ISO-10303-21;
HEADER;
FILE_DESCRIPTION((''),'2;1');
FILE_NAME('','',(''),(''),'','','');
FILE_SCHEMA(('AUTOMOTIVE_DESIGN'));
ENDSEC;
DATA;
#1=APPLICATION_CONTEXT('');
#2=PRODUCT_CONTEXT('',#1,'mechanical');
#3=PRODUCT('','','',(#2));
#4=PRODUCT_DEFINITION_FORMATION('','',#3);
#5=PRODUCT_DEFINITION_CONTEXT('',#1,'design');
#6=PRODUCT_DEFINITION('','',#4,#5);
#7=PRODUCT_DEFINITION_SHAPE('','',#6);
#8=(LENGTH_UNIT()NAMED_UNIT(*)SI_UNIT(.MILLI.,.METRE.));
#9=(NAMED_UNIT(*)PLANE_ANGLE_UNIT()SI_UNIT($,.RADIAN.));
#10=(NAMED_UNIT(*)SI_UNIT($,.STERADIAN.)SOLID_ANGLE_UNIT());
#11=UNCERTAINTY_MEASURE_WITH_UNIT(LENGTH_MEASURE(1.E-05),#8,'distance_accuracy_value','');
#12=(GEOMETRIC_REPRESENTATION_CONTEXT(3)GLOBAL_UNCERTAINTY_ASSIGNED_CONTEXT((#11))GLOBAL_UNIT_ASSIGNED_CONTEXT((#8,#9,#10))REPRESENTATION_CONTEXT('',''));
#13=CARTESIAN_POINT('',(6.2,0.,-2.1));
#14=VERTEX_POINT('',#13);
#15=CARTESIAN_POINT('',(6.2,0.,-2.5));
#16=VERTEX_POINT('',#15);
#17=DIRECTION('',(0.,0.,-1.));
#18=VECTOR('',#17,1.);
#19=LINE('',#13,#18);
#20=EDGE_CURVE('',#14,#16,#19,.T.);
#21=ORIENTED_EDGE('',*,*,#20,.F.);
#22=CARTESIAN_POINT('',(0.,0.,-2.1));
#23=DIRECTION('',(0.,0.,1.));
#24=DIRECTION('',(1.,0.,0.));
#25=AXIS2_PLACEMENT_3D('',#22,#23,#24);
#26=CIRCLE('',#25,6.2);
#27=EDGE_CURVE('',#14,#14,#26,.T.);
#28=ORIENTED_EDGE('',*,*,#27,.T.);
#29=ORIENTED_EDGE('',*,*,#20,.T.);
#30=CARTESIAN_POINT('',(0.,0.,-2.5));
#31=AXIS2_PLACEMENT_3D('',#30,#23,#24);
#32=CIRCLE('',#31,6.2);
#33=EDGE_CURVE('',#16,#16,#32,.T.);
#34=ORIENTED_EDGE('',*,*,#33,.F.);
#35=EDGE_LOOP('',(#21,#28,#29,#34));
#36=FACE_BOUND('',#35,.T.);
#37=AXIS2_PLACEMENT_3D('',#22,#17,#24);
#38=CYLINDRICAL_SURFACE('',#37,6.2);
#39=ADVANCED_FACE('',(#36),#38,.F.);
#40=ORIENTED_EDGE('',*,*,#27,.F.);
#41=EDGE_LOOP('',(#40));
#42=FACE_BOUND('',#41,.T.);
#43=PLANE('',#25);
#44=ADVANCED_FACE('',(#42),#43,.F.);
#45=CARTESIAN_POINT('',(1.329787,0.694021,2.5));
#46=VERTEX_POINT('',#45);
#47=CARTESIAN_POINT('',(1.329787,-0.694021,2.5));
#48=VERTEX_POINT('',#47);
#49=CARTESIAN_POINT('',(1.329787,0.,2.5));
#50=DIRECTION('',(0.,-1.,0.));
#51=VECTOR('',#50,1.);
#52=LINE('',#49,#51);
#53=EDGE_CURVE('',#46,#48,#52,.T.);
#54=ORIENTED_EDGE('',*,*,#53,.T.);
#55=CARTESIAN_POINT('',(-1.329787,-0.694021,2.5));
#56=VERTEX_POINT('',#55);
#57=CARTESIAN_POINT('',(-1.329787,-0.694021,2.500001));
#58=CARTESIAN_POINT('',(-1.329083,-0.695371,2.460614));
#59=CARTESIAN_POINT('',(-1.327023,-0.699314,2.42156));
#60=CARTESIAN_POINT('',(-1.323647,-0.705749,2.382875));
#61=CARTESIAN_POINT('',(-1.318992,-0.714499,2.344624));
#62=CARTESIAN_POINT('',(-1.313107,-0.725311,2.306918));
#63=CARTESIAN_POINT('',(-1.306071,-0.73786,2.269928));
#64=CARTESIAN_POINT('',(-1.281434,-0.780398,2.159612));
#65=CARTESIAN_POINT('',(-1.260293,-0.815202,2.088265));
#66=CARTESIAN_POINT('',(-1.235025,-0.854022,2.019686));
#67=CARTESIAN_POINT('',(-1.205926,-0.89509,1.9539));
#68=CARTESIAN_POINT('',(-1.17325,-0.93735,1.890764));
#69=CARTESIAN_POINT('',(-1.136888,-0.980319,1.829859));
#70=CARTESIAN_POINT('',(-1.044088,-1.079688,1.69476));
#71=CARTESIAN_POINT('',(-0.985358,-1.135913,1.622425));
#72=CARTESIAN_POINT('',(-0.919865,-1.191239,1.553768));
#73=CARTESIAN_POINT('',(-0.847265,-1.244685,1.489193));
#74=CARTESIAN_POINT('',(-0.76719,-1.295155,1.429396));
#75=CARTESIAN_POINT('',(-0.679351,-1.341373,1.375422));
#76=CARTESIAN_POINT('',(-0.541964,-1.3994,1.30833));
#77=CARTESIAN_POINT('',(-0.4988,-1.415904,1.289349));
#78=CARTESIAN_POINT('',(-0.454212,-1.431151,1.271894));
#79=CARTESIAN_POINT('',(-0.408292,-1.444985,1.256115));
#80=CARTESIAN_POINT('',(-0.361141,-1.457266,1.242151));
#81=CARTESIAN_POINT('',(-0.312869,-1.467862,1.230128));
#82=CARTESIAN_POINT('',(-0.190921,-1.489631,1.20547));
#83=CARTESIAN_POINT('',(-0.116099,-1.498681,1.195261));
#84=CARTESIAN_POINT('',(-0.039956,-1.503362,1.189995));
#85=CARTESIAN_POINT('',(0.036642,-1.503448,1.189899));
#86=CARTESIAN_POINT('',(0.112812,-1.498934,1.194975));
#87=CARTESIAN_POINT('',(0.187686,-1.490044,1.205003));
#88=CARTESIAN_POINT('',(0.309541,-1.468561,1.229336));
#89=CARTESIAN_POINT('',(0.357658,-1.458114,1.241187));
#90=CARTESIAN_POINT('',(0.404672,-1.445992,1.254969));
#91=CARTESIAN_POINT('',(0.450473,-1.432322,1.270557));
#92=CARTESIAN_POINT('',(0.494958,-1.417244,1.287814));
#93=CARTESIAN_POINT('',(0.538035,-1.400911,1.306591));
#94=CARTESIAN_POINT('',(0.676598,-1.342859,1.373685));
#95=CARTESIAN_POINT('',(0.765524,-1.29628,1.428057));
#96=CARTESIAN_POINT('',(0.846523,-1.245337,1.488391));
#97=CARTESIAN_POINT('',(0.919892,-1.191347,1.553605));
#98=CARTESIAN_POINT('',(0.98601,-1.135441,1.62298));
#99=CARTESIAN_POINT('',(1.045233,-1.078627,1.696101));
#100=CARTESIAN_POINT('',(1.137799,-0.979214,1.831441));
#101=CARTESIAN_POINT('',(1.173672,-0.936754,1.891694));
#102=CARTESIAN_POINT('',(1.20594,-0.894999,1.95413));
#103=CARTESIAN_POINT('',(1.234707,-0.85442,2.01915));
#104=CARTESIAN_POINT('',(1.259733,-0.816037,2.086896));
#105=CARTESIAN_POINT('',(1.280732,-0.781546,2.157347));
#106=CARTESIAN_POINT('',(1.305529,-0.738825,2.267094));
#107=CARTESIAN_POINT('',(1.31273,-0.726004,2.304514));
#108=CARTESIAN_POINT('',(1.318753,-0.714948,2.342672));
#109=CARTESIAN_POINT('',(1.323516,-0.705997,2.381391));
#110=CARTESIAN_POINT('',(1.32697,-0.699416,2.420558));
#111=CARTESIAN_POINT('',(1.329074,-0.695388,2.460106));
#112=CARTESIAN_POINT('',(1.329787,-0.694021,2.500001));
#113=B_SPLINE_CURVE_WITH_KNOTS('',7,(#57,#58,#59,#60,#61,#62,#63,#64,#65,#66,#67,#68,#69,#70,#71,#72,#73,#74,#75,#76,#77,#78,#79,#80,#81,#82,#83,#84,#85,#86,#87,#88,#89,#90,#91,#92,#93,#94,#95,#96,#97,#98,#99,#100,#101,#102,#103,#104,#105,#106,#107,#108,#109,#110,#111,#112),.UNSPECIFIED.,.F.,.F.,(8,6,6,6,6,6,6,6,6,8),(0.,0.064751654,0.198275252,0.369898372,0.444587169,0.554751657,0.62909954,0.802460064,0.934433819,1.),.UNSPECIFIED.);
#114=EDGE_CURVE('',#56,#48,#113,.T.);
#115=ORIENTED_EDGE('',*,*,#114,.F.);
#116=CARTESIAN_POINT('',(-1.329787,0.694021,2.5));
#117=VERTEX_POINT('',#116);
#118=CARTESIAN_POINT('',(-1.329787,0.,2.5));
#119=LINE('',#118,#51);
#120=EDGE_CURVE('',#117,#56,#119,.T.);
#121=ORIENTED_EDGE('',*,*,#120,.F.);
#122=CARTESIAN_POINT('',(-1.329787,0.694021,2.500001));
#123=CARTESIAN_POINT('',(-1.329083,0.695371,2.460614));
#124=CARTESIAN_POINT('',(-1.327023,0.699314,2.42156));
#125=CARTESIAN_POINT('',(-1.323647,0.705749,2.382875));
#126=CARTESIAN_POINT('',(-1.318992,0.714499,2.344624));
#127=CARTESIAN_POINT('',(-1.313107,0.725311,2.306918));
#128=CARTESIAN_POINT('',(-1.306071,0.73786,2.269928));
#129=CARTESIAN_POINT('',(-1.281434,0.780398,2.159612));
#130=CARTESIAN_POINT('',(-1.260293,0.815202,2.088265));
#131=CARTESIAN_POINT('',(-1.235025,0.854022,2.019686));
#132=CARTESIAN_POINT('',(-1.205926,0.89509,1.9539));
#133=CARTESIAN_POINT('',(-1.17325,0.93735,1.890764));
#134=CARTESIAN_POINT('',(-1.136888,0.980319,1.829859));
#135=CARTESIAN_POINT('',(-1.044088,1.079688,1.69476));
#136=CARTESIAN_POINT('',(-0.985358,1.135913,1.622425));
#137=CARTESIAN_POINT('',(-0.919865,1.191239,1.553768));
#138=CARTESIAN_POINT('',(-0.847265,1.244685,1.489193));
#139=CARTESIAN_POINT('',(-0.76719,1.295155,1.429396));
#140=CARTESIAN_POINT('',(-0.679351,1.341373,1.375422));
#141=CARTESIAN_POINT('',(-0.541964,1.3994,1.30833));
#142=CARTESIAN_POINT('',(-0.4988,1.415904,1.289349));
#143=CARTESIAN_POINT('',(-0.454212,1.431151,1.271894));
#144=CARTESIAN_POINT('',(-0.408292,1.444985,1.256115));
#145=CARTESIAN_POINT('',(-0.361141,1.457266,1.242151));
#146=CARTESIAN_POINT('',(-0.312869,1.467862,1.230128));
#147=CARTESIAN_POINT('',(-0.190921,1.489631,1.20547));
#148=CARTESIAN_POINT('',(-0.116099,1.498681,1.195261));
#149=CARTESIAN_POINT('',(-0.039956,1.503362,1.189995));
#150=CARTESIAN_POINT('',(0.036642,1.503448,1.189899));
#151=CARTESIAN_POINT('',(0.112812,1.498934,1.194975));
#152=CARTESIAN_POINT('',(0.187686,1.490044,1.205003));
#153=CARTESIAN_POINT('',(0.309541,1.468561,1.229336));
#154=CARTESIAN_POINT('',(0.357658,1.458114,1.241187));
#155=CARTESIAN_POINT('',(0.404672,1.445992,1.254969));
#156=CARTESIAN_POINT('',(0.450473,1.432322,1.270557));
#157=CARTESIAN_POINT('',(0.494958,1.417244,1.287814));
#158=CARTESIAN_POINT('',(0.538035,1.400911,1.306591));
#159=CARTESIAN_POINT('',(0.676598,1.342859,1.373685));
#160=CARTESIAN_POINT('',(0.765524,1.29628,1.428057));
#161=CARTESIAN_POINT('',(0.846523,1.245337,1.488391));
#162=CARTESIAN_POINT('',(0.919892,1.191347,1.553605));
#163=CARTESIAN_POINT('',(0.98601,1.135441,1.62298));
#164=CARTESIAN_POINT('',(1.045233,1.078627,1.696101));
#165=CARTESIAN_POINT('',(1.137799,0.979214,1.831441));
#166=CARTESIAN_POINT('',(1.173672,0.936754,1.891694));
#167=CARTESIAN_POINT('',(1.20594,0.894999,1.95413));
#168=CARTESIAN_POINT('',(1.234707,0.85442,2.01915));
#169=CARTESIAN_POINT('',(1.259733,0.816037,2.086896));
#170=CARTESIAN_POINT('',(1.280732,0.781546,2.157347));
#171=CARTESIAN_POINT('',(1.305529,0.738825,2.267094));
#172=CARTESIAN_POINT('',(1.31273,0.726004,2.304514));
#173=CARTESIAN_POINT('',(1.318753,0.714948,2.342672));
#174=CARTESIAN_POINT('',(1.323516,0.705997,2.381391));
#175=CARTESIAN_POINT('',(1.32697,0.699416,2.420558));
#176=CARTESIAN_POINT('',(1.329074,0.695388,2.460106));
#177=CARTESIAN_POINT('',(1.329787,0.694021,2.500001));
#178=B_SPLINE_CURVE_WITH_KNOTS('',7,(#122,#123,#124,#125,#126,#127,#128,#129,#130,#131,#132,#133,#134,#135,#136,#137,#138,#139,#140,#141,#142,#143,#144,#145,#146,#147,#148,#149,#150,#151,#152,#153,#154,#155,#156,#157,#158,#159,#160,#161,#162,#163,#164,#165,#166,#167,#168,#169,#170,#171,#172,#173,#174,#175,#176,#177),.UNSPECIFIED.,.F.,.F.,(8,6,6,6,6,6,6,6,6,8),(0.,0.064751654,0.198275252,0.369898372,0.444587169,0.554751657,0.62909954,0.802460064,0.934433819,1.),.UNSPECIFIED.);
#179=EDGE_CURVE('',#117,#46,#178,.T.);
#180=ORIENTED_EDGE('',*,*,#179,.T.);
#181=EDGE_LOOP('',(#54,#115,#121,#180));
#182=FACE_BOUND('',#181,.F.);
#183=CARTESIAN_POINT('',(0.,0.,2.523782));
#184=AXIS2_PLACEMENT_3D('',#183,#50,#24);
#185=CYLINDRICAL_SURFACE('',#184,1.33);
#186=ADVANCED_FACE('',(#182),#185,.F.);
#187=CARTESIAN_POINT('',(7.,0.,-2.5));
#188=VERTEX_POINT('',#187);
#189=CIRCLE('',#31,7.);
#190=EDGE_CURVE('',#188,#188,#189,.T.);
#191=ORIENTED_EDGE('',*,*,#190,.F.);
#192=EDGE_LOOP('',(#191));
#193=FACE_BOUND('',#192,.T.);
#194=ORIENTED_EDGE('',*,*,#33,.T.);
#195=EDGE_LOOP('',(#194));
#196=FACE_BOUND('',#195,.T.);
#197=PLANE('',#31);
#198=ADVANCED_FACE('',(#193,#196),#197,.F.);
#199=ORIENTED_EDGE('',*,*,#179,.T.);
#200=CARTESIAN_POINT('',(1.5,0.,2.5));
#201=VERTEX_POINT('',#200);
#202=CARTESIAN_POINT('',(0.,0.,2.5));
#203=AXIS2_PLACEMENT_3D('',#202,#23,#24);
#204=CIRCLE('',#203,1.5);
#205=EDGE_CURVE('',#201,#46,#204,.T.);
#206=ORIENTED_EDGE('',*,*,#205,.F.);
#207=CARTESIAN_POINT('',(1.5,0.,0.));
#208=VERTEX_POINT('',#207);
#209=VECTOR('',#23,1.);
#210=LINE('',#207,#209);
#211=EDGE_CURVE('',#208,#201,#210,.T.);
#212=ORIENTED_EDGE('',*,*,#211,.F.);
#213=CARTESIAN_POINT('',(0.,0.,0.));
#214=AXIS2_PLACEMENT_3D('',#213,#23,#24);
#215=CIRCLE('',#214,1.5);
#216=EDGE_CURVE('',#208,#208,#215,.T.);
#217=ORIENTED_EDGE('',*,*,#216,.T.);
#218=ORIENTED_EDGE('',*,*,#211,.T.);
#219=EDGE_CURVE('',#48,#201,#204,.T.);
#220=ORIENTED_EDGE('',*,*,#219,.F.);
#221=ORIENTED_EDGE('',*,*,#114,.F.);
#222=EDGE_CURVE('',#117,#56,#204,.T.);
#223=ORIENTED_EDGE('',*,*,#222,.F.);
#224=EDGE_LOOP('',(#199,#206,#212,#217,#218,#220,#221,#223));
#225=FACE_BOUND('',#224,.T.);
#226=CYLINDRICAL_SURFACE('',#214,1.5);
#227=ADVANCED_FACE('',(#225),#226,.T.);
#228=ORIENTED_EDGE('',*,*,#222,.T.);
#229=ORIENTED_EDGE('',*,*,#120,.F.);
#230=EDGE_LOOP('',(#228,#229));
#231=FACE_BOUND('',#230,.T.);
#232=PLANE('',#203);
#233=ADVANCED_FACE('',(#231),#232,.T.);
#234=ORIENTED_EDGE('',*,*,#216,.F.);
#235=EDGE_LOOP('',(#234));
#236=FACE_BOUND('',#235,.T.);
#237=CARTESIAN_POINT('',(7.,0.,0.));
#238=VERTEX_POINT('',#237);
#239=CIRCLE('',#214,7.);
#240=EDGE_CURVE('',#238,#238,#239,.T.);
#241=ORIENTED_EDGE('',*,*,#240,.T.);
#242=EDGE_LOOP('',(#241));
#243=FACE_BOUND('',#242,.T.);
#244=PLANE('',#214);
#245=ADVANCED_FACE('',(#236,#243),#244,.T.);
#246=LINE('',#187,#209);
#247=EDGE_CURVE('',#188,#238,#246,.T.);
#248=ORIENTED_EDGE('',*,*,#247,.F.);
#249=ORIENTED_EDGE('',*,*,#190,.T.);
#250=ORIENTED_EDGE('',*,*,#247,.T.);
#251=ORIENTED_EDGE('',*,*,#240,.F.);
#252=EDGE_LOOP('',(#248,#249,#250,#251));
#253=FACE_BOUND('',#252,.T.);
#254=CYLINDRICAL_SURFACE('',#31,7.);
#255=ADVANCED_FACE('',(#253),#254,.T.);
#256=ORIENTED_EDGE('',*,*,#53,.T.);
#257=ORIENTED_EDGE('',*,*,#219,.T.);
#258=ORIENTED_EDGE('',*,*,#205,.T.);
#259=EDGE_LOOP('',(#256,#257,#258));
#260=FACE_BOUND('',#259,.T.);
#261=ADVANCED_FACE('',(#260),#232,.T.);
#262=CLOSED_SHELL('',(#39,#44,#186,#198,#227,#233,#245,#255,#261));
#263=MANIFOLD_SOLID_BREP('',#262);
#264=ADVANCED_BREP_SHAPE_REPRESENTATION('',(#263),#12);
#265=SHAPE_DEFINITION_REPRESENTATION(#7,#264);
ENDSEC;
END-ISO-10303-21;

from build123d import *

# Parameters (mm, degrees)
F2_R     = 1.33
F3_DEPTH = 12.5


with BuildPart() as f1:
    # F0 (on Front) → F1 (revolve)
    with BuildSketch(Plane.XZ):
        Polygon((7, -1.05), (7, 0), (1.5, 0), (1.5, 2.5), (0, 2.5), (0, 0), (0, -2.1), (6.2, -2.1), (6.2, -2.5), (7, -2.5), align=None)
    revolve(axis=Axis((0, 0, 1.25), (0, 0, 1)))

    # F2 (on Front) → F3 (cut, symmetric)
    with BuildSketch(Plane.XZ):
        with Locations((0, 2.523782)):
            Circle(F2_R)
    extrude(amount=F3_DEPTH, both=True, mode=Mode.SUBTRACT)


solid = f1.part
